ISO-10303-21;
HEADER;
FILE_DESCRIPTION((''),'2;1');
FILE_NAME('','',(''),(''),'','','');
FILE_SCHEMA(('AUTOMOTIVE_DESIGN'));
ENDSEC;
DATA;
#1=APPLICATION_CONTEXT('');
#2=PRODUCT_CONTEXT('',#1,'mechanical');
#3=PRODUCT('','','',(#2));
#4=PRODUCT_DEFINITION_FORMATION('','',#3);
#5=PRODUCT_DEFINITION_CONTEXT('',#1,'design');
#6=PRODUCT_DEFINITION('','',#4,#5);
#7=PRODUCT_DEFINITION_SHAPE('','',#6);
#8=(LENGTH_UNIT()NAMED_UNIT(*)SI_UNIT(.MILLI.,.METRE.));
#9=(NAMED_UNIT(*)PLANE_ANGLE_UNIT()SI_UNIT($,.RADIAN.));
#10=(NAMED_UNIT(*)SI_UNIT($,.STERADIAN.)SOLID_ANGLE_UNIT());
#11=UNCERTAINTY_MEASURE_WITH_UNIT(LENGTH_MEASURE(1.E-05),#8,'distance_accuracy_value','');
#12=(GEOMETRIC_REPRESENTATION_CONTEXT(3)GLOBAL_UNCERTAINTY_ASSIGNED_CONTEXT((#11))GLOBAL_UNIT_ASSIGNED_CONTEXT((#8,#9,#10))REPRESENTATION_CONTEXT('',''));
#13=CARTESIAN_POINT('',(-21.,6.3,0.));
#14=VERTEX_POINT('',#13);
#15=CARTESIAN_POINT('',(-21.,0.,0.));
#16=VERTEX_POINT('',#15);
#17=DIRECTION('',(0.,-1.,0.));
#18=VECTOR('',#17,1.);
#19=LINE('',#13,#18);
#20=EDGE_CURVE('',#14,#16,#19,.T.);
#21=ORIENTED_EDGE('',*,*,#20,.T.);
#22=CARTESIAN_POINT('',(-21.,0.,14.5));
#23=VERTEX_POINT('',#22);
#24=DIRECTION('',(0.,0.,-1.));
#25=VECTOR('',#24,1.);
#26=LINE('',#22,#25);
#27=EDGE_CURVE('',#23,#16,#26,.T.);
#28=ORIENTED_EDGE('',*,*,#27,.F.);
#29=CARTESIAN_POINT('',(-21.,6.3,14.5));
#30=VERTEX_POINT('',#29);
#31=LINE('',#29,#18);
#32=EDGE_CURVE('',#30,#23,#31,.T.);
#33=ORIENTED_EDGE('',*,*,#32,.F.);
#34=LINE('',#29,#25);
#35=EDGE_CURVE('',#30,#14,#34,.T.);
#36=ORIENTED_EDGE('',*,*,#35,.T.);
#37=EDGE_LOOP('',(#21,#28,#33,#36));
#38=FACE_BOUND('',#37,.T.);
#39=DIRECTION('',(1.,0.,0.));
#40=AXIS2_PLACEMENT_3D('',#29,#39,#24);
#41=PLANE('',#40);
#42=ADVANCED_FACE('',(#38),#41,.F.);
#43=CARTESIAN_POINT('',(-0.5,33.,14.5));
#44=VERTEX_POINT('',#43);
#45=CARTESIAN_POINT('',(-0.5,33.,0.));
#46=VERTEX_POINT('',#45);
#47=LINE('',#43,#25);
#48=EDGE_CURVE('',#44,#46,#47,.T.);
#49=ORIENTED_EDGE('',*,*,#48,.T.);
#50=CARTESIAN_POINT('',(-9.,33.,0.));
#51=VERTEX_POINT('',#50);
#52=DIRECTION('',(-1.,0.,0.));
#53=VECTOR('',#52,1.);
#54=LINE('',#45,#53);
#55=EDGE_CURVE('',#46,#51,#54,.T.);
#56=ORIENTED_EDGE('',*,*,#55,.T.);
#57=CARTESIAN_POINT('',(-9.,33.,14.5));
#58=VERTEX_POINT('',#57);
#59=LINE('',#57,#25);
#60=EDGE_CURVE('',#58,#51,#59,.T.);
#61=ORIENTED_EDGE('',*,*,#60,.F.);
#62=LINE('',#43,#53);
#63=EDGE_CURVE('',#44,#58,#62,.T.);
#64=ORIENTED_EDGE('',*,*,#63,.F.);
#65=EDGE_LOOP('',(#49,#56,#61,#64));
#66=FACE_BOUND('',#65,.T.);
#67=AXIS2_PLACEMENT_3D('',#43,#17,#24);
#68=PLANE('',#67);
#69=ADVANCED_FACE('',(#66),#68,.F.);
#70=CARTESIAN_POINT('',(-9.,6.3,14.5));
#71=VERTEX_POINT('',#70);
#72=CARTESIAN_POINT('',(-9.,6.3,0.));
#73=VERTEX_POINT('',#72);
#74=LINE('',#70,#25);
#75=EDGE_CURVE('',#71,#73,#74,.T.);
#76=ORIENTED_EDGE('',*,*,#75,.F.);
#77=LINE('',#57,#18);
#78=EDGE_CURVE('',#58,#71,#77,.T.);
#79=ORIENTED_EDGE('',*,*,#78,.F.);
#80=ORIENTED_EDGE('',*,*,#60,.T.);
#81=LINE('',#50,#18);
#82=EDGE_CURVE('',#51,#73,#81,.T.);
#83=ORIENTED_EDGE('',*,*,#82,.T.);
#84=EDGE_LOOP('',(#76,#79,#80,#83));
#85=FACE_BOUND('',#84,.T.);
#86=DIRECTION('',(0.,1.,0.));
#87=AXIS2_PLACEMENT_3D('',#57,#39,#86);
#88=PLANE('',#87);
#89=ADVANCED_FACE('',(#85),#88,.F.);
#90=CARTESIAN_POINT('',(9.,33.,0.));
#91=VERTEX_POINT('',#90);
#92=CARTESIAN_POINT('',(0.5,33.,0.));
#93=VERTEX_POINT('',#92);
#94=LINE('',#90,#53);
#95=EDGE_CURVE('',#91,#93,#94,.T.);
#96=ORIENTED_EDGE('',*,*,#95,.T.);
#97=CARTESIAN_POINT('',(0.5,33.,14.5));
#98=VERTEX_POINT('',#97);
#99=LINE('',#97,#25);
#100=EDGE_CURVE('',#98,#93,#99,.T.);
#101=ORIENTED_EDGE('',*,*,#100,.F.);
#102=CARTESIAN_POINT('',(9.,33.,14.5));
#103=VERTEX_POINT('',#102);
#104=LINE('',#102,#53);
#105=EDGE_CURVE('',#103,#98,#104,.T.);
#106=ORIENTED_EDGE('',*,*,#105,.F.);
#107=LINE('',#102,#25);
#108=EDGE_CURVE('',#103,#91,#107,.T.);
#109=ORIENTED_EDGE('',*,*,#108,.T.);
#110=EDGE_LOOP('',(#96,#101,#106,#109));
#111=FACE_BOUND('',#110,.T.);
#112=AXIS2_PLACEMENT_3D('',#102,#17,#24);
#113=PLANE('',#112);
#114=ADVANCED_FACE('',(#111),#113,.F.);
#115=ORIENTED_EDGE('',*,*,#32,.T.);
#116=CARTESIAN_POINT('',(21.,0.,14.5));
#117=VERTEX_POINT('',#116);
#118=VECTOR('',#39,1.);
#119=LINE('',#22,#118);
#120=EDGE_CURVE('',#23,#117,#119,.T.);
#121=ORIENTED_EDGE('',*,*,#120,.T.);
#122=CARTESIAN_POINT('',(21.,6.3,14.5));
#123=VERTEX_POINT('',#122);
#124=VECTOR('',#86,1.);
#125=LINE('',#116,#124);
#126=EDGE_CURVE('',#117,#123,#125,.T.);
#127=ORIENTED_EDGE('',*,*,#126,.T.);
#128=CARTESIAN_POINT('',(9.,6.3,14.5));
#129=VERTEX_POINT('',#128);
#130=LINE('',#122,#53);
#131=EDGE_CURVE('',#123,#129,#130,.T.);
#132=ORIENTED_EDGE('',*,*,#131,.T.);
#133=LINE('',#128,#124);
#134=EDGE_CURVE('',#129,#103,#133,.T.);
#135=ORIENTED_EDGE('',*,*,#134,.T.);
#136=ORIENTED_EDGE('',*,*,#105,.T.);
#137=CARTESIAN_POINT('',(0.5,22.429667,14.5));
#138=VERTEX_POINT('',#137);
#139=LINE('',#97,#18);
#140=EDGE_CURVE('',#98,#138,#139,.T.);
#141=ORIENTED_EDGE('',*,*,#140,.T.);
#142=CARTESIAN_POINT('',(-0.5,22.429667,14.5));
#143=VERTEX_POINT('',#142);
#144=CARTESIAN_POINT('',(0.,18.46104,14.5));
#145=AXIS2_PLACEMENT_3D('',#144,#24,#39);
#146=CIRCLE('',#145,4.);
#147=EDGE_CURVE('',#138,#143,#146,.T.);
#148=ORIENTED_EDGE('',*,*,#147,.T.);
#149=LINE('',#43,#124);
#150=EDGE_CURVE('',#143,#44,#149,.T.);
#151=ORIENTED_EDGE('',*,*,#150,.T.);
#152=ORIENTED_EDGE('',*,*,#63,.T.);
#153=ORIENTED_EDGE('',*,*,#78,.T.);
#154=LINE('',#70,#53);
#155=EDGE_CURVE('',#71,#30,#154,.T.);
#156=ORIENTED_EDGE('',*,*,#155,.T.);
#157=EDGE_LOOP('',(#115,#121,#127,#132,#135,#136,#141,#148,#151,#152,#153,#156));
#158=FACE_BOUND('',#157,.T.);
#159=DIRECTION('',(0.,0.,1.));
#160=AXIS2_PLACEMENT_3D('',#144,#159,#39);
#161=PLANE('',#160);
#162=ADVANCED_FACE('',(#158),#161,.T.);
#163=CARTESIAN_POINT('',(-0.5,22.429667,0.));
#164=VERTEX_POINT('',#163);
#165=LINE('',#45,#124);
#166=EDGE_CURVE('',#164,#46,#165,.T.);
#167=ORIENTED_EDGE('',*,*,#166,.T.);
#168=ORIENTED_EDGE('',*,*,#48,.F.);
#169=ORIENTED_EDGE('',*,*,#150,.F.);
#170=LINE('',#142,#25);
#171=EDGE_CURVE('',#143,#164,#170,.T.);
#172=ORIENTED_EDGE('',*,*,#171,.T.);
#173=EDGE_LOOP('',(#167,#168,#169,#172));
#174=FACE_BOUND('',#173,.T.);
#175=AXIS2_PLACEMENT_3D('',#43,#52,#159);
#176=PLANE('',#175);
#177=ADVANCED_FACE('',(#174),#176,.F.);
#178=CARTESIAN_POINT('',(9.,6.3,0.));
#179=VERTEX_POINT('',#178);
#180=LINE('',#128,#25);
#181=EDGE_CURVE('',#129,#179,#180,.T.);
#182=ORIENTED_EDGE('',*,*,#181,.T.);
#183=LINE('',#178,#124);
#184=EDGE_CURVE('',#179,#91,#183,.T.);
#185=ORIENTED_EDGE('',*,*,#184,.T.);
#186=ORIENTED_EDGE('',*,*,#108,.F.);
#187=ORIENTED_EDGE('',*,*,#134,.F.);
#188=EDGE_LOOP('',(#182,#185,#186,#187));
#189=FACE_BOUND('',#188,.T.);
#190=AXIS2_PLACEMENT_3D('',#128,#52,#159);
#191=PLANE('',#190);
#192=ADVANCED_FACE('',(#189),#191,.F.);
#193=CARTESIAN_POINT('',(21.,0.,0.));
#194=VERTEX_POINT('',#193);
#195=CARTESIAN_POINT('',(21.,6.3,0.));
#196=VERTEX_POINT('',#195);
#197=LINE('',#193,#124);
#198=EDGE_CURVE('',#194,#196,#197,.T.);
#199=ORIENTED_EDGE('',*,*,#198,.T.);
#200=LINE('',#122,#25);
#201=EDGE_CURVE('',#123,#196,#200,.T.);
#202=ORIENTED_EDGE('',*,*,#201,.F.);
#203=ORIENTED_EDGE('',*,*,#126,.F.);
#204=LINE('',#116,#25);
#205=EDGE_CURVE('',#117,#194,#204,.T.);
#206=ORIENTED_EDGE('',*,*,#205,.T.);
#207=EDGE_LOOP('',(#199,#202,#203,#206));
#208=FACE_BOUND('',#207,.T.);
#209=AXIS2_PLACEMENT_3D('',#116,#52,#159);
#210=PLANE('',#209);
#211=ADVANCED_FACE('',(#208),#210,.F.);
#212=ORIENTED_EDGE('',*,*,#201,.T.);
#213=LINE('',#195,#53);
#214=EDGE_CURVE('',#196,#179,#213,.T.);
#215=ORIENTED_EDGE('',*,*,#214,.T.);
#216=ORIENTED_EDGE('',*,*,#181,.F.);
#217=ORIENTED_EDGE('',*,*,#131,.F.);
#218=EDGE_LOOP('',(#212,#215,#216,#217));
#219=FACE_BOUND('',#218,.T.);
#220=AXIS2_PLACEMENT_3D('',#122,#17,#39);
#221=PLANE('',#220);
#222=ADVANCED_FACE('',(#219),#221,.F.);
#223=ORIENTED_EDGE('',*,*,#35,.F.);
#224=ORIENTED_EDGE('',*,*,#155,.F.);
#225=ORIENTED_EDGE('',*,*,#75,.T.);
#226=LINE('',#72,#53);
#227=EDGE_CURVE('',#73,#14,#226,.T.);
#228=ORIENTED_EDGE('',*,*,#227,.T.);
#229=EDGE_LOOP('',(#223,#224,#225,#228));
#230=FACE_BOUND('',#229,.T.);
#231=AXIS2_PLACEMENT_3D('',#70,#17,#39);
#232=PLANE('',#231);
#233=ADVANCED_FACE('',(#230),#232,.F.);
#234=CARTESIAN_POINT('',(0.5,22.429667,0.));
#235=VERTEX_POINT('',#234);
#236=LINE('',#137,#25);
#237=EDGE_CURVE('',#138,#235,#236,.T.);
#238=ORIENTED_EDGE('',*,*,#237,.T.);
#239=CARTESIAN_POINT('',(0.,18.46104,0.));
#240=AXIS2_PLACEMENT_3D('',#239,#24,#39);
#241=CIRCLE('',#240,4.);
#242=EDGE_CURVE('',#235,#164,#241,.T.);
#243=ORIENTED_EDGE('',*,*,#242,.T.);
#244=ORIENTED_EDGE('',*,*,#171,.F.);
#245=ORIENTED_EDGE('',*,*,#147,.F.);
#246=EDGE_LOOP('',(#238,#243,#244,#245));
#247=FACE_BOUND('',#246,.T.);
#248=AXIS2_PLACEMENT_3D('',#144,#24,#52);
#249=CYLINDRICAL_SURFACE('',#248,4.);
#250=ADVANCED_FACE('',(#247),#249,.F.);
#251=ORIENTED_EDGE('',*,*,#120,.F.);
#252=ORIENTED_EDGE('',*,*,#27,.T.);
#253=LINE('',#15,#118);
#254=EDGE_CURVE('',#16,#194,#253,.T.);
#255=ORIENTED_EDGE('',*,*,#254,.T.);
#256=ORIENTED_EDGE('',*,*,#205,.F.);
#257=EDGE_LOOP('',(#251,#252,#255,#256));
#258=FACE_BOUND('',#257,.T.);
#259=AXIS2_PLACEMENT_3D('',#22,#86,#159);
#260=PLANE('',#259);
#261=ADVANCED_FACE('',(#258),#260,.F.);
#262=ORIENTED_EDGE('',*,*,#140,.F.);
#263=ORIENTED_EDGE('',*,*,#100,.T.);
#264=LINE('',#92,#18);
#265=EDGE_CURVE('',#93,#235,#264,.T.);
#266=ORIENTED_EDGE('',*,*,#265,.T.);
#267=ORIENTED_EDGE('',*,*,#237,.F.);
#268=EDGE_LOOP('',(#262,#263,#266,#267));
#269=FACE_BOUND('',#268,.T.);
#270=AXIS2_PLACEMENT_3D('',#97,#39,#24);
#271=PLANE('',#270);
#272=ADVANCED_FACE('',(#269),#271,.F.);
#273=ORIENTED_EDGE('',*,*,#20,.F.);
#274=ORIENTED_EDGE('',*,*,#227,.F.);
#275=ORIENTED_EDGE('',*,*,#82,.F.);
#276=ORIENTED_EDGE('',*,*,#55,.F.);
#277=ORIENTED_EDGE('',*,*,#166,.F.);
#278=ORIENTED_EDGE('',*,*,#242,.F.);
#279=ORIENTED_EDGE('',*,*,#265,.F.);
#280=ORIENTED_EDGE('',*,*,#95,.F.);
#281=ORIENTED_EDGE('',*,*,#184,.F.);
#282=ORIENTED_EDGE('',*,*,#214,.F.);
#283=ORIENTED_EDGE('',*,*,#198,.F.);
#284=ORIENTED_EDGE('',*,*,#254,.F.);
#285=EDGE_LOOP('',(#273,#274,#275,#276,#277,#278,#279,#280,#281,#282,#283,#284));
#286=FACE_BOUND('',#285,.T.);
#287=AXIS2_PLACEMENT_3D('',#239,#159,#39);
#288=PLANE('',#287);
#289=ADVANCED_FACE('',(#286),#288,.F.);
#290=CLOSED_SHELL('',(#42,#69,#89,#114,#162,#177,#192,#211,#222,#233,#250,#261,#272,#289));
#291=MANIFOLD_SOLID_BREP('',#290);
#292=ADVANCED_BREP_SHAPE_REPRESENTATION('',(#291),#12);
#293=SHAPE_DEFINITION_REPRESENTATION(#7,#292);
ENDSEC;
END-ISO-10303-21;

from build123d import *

# Parameters (mm, degrees)
BOSS_EXTRUDE1_DEPTH = 14.5


with BuildPart() as part:
    # Sketch1 → Boss-Extrude1 (new body)
    with BuildSketch(Plane.XY):
        with BuildLine():
            Line((-21, 0), (21, 0))
            Line((21, 0), (21, 6.3))
            Line((21, 6.3), (9, 6.3))
            Line((9, 6.3), (9, 33))
            Line((9, 33), (0.5, 33))
            Line((0.5, 33), (0.5, 22.429667223))
            ThreePointArc((0.5, 22.429667223), (0, 14.461040256), (-0.5, 22.429667223))
            Line((-0.5, 22.429667223), (-0.5, 33))
            Line((-0.5, 33), (-9, 33))
            Line((-9, 33), (-9, 6.3))
            Line((-9, 6.3), (-21, 6.3))
            Line((-21, 6.3), (-21, 0))
        make_face()
    extrude(amount=BOSS_EXTRUDE1_DEPTH)


solid = part.part
